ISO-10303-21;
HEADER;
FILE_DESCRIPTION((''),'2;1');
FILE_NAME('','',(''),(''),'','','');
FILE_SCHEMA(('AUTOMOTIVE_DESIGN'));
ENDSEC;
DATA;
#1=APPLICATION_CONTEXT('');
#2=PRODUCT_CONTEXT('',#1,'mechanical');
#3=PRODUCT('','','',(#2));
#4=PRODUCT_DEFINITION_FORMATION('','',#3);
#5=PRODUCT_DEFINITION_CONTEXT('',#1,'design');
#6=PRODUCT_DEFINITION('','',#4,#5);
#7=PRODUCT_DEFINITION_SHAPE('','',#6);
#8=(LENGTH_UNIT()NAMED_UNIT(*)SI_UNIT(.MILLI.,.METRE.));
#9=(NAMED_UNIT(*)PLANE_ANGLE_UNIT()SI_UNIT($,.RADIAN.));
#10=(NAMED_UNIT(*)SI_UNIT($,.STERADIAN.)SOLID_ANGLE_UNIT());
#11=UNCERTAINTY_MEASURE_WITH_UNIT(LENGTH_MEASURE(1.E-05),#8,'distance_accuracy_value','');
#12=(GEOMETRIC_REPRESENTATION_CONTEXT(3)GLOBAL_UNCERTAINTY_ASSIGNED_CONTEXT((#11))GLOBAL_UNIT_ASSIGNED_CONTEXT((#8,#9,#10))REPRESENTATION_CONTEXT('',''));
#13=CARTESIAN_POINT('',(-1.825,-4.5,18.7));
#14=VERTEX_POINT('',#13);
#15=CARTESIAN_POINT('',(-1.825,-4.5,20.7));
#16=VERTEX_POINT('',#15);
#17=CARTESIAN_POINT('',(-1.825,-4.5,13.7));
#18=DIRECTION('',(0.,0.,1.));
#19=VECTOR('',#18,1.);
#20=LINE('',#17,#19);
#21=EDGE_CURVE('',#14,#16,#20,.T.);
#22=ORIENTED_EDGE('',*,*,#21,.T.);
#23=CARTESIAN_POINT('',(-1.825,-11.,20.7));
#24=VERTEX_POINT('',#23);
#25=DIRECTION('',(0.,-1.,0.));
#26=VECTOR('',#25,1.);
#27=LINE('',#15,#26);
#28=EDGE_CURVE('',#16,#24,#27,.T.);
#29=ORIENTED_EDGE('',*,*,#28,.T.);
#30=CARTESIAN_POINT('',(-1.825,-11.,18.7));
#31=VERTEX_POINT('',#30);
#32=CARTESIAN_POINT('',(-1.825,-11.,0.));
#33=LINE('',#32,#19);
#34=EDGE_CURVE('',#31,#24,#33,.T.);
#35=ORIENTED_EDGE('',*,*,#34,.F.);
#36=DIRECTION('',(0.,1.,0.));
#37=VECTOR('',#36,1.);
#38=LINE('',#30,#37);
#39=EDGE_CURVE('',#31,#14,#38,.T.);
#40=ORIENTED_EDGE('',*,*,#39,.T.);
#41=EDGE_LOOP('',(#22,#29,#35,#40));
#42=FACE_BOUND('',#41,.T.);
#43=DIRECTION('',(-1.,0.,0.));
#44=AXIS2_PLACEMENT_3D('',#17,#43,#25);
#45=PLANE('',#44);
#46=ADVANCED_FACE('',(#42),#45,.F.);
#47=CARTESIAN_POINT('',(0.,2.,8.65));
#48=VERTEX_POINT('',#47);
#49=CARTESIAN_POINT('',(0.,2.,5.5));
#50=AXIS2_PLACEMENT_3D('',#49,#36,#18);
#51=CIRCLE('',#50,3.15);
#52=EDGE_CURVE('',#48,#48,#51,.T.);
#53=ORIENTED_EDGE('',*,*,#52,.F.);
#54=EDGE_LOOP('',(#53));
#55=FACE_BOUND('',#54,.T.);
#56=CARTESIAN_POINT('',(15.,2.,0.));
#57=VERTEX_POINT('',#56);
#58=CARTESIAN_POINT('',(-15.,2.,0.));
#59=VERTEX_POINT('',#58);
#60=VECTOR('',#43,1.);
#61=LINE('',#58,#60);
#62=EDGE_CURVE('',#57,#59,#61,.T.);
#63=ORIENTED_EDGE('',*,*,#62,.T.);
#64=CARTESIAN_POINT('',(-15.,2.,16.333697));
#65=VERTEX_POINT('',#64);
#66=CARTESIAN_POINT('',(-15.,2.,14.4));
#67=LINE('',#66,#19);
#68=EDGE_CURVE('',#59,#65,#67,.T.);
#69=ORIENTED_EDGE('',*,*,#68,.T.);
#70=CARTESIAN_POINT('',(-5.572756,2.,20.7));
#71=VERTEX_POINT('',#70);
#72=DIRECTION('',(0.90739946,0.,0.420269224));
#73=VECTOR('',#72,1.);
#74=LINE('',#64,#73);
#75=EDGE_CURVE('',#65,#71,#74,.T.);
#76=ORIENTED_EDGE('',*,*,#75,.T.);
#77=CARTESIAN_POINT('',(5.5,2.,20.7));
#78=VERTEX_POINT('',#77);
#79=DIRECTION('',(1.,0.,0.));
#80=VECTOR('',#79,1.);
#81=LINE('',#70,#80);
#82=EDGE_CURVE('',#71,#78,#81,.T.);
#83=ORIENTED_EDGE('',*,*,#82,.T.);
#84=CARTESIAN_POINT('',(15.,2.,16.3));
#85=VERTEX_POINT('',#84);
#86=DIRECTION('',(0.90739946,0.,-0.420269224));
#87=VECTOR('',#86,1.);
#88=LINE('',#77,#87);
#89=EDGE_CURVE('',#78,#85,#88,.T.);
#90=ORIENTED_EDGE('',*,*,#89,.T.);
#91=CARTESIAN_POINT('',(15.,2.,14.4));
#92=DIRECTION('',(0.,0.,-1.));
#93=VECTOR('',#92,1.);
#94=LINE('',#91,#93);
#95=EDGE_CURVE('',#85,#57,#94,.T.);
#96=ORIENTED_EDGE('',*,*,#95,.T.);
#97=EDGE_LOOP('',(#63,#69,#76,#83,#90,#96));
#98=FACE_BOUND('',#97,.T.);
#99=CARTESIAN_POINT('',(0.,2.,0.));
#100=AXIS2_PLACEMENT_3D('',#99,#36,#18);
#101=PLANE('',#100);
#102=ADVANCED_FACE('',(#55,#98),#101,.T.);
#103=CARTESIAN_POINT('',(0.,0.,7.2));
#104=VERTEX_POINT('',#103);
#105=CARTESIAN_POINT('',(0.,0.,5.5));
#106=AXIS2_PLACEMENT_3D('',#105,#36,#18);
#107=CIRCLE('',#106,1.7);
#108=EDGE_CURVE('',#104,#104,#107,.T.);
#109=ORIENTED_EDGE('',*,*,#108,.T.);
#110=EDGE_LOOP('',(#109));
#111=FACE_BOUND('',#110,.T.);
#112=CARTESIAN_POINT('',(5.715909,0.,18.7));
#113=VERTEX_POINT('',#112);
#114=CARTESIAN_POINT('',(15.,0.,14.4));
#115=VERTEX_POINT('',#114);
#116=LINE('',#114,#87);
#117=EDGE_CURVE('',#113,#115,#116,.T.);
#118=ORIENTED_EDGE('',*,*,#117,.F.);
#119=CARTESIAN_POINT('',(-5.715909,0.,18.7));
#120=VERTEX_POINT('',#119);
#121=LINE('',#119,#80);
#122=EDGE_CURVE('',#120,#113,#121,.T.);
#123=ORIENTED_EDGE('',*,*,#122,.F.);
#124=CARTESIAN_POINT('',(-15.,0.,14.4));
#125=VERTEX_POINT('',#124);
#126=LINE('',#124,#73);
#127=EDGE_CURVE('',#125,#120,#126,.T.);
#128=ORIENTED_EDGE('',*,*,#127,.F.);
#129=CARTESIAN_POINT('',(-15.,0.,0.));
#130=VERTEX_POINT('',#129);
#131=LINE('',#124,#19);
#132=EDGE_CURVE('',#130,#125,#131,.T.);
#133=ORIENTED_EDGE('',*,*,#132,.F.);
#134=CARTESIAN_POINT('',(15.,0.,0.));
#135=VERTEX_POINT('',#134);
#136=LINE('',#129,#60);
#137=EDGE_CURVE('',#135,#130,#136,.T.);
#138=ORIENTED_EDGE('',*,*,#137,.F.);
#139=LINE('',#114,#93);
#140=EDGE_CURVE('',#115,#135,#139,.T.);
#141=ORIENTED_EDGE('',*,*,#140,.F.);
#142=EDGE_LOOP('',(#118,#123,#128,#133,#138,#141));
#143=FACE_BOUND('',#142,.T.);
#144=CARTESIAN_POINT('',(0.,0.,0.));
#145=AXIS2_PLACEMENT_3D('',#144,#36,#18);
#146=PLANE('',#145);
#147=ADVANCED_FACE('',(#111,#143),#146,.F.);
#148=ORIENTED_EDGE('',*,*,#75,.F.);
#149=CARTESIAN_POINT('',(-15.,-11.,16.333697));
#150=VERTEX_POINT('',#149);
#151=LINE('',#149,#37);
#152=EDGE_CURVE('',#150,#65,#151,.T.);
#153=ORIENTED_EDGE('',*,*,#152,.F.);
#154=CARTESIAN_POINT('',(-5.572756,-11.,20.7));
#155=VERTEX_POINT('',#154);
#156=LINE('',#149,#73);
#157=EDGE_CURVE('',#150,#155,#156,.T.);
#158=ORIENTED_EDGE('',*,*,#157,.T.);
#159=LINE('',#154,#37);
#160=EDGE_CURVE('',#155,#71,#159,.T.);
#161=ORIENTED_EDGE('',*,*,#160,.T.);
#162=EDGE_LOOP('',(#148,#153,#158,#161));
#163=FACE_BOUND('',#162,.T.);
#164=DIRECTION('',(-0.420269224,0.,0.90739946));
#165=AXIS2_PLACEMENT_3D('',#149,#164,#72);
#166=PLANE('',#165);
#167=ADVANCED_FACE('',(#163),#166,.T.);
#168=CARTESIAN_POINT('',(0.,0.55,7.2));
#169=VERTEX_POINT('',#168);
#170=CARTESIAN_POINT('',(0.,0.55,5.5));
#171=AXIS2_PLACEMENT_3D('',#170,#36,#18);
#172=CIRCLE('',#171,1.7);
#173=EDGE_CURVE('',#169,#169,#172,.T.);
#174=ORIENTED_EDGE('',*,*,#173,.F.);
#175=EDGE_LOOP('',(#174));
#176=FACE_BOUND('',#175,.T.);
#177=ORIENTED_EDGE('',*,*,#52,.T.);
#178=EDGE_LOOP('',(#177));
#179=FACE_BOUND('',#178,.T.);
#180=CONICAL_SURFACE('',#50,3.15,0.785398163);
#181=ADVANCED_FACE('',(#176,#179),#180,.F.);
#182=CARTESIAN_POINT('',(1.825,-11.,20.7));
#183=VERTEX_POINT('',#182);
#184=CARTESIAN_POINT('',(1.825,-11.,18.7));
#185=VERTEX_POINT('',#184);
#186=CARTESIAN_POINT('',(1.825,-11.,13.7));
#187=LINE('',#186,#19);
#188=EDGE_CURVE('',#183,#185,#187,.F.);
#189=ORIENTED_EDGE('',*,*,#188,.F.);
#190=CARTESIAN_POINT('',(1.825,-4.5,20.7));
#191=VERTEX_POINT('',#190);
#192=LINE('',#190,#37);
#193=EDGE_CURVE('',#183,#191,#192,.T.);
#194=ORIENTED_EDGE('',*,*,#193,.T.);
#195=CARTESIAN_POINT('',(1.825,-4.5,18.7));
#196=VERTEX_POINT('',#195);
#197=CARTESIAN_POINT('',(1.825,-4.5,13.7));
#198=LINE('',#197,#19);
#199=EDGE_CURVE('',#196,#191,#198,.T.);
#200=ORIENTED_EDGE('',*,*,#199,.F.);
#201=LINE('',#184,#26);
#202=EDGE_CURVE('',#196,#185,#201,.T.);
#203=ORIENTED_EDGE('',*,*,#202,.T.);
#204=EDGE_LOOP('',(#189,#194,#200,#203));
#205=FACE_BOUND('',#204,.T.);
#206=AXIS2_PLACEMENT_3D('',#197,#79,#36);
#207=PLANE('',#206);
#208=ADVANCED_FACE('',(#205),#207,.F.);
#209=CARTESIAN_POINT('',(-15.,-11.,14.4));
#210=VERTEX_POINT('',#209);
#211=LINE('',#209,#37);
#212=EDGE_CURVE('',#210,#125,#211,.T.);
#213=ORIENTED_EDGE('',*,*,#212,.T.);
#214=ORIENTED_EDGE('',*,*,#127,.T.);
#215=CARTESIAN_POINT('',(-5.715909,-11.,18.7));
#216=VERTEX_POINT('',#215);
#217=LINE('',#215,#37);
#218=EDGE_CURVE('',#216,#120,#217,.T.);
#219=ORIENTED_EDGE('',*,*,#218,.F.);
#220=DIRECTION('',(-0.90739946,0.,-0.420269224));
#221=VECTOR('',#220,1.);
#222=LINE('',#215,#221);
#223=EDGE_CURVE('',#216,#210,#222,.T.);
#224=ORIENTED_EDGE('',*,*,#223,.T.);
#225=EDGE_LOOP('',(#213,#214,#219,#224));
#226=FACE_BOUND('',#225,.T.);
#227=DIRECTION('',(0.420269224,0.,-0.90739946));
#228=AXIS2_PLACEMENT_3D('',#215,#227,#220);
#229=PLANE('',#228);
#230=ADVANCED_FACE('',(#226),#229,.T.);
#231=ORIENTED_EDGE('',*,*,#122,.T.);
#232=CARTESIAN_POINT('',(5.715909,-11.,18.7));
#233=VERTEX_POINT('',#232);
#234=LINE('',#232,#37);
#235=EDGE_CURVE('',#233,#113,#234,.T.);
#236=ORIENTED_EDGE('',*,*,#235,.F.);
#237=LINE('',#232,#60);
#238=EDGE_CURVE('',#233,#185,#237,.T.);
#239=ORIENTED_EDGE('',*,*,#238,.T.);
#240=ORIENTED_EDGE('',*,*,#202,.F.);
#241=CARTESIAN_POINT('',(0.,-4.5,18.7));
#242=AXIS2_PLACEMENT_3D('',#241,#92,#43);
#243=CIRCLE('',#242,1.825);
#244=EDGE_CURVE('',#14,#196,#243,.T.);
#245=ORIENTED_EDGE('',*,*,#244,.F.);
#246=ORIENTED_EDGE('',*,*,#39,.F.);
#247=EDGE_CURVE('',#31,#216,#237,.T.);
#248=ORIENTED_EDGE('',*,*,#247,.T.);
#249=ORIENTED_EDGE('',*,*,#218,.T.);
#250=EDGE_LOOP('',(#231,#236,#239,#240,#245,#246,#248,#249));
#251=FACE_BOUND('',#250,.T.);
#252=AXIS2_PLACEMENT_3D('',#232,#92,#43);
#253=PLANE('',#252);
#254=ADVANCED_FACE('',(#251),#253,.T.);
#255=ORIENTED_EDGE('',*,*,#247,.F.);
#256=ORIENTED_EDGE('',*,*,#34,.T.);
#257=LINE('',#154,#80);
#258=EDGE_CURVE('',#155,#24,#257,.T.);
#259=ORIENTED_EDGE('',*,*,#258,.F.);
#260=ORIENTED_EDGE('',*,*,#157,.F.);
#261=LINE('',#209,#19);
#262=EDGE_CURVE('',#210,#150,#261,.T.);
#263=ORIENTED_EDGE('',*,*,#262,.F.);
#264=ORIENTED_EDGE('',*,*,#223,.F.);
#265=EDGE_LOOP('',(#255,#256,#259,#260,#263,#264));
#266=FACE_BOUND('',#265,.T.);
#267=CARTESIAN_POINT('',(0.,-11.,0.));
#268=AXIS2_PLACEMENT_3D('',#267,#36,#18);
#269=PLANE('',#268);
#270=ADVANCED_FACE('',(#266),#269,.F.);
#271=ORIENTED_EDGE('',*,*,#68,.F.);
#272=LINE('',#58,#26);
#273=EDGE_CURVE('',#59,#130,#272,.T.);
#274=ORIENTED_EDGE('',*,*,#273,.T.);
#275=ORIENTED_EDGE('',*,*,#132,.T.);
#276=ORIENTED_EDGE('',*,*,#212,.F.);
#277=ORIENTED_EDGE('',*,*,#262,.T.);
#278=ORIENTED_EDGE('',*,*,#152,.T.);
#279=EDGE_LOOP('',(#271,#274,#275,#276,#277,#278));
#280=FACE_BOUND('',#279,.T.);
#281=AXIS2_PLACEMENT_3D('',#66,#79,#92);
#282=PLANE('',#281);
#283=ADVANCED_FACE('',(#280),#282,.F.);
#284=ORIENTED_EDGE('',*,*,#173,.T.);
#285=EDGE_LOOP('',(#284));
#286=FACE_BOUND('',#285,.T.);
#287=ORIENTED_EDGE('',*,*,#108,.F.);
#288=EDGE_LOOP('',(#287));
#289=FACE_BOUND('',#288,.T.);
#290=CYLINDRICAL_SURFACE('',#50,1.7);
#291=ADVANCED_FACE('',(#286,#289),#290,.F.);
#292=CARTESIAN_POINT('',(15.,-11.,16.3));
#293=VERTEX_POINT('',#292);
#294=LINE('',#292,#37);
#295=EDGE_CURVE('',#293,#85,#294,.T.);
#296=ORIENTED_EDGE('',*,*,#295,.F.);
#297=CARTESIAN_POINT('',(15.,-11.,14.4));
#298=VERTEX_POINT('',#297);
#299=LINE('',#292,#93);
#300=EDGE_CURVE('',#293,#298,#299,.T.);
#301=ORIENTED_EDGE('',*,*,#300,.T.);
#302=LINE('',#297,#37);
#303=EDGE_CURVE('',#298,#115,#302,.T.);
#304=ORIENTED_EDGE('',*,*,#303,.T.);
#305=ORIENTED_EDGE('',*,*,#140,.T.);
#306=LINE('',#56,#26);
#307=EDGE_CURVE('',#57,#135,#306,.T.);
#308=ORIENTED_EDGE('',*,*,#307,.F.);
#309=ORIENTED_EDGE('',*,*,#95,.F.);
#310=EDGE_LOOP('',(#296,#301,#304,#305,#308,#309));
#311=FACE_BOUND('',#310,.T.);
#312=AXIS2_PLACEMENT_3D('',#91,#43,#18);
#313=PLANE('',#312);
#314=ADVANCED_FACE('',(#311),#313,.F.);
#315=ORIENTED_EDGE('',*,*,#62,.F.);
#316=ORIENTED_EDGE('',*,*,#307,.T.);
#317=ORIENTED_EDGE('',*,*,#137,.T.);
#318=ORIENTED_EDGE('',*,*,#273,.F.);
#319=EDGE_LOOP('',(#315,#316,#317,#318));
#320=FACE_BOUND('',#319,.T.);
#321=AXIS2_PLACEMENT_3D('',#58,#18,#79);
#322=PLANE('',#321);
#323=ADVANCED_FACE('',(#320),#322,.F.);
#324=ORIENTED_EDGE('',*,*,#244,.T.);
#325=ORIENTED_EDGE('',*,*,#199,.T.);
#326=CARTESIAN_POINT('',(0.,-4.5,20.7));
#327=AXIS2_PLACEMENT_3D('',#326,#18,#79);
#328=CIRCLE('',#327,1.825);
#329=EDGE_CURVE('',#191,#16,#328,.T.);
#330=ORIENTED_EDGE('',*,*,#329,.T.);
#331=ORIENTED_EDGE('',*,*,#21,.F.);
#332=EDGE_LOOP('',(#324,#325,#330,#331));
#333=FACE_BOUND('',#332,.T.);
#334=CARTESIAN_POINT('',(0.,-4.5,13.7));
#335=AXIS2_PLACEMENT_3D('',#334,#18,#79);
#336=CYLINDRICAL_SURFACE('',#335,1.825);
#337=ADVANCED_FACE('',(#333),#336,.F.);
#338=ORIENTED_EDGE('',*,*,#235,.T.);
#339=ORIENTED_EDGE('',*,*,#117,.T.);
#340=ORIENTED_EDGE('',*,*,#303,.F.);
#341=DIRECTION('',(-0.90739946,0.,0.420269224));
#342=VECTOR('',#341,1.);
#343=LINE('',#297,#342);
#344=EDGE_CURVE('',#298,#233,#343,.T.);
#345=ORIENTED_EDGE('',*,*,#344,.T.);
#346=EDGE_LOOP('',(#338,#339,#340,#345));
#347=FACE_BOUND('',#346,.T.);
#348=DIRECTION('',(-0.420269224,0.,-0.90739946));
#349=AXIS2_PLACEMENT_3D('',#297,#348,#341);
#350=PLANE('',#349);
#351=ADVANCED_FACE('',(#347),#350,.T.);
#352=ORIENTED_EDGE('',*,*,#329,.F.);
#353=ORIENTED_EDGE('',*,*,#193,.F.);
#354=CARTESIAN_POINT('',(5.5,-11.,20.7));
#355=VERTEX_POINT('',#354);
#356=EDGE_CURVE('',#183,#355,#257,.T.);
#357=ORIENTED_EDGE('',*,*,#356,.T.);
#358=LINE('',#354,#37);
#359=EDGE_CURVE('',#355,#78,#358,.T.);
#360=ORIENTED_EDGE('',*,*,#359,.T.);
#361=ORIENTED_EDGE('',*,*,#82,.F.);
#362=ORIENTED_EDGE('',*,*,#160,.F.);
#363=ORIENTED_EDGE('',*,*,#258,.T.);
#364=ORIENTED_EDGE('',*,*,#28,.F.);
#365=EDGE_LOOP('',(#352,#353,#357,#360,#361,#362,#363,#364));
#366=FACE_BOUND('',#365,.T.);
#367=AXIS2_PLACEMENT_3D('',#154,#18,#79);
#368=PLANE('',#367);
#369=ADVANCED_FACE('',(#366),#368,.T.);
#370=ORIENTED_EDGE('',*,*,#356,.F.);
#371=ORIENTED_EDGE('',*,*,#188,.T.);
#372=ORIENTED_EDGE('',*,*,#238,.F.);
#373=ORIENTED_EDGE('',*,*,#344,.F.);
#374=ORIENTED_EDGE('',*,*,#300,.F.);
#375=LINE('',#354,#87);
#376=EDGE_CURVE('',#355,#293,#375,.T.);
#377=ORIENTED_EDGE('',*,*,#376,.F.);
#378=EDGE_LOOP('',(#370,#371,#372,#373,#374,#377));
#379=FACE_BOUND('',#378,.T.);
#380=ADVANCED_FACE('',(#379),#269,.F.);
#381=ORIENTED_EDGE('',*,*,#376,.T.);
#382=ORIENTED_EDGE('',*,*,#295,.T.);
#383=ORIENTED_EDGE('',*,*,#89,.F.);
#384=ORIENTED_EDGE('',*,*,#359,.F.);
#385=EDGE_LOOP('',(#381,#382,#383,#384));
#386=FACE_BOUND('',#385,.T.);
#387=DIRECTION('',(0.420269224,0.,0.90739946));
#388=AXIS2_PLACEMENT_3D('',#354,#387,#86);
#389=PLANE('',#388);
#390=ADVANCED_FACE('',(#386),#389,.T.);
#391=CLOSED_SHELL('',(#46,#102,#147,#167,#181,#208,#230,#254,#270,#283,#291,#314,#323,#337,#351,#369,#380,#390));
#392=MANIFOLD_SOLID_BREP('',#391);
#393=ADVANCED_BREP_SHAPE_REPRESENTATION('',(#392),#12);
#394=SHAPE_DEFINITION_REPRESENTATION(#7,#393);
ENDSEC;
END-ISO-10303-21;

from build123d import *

# Parameters (mm, degrees)
BOSS_EXTRUDE1_DEPTH = 2
BOSS_EXTRUDE2_DEPTH = 13
CUT_EXTRUDE1_DEPTH  = 7


with BuildPart() as part:
    # Sketch1 → Boss-Extrude1 (new body)
    with BuildSketch(Plane(origin=(0, 0, 0), x_dir=(1, 0, 0), z_dir=(0, 1, 0))):
        Polygon((-15, -14.4), (-15, 0), (15, 0), (15, -14.4), (5.71590909, -18.700000004), (-5.71590909, -18.700000004), align=None)
    extrude(amount=BOSS_EXTRUDE1_DEPTH)

    # Sketch3 → CSK for M3 Flat Head Machine Screw1 (revolve, cut)
    with BuildSketch(Plane(origin=(0, 2, 5.5), x_dir=(0, 0, 1), z_dir=(1, 0, 0))):
        Polygon((0, 0), (0, 2), (1.7, 2), (1.7, 1.45), (3.15, 0), align=None)
    revolve(axis=Axis((0, 8.35, 5.5), (0, -1, 0)), mode=Mode.SUBTRACT)

    # Sketch4 → Boss-Extrude2 (add)
    with BuildSketch(Plane(origin=(0, 2, 0), x_dir=(1, 0, 0), z_dir=(0, 1, 0))):
        Polygon((-15, -14.4), (-15, -16.33369736), (-5.572755662, -20.700000004), (5.5, -20.700000004), (15, -16.3), (15, -14.4), (5.71590909, -18.700000004), (-5.71590909, -18.700000004), align=None)
    extrude(amount=-BOSS_EXTRUDE2_DEPTH)

    # Sketch5 → Cut-Extrude1 (cut)
    with BuildSketch(Plane.XY.offset(20.700000004)):
        with BuildLine():
            Line((1.825, -4.5), (1.825, -11))
            ThreePointArc((1.825, -11), (0, -12.825), (-1.825, -11))
            Line((-1.825, -11), (-1.825, -4.5))
            ThreePointArc((-1.825, -4.5), (0, -2.675), (1.825, -4.5))
        make_face()
    extrude(amount=-CUT_EXTRUDE1_DEPTH, mode=Mode.SUBTRACT)


solid = part.part
